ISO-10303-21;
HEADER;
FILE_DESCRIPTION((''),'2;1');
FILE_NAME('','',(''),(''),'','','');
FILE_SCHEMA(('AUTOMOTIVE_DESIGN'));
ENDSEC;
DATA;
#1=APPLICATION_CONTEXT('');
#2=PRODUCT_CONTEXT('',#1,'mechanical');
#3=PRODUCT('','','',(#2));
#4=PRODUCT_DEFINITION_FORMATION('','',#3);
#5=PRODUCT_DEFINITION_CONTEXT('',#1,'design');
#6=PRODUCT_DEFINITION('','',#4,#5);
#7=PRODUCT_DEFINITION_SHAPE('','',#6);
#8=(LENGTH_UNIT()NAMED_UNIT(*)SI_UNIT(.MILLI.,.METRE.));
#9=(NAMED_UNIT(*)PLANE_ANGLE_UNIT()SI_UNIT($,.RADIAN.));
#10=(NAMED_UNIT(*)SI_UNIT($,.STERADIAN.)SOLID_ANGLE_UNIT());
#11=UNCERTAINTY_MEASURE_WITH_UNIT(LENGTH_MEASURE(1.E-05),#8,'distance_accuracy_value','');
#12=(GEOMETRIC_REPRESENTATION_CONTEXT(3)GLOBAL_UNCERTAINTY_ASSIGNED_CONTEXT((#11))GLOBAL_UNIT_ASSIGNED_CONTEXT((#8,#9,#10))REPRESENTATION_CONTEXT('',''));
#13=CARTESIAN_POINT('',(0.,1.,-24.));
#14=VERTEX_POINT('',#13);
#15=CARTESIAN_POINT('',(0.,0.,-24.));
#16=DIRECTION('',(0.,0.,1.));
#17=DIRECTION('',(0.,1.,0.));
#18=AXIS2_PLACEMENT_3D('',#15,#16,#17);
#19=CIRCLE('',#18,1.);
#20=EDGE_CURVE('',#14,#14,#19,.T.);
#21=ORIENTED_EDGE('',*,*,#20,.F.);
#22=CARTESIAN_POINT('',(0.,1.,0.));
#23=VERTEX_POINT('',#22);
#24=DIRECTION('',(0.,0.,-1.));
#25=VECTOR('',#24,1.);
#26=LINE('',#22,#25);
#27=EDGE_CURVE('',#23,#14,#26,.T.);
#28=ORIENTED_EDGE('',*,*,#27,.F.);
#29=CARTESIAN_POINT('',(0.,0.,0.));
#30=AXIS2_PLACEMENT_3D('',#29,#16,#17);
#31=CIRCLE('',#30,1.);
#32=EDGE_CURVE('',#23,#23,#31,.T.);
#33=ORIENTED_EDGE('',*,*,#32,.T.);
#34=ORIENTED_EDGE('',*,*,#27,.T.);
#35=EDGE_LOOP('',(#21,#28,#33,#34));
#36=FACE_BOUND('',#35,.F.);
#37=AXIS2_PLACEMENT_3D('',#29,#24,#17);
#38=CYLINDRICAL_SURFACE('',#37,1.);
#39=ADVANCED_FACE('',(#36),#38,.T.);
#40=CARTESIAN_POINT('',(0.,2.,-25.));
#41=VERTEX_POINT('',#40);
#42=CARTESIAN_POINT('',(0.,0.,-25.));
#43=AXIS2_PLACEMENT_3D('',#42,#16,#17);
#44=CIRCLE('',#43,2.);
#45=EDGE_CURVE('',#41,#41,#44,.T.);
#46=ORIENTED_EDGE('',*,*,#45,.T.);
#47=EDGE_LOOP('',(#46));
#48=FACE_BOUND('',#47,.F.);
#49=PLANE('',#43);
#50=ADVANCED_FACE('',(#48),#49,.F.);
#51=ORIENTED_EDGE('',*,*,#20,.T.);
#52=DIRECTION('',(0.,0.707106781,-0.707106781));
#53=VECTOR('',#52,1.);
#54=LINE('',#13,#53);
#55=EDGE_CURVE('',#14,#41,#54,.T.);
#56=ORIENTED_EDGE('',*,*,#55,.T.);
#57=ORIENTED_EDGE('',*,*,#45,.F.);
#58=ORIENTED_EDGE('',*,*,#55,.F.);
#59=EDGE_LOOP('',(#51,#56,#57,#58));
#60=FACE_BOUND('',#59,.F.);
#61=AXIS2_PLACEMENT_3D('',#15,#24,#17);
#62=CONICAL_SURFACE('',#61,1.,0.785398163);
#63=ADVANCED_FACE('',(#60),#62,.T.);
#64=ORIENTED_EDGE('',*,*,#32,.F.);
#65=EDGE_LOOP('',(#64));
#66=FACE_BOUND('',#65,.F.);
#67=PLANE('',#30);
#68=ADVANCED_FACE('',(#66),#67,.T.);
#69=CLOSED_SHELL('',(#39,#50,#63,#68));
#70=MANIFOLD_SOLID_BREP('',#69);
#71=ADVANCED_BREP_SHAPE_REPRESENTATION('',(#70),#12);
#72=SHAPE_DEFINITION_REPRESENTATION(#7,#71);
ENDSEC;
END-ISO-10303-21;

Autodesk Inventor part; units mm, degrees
ref_plane "YZ Plane" through (0, 0, 0) normal (1, 0, 0) x (0, 1, 0)
ref_plane "XZ Plane" through (0, 0, 0) normal (0, 1, 0) x (-1, 0, 0)
ref_plane "XY Plane" through (0, 0, 0) normal (0, 0, 1) x (1, 0, 0)
sketch "Эскиз1" plane through (0, 0, 0) normal (1, 0, 0) x (0, 1, 0)
  line L0 (0, 0) -> (1, 0)
  line L1 (1, 0) -> (1, -24)
  line L2 (1, -24) -> (2, -25)
  line L3 (2, -25) -> (0, -25)
  line L4 (0, -25) -> (0, 0)
  dimension "d1" = 1
  dimension "d2" = 25
  dimension "d3" = 24
  dimension "d4" = 2
revolve "Вращение1" add sketch "Эскиз1" angle 360 about axis through (0, 0, -25) along (0, 0, 1)
properties part number "Армирующий сопло гвоздик"
